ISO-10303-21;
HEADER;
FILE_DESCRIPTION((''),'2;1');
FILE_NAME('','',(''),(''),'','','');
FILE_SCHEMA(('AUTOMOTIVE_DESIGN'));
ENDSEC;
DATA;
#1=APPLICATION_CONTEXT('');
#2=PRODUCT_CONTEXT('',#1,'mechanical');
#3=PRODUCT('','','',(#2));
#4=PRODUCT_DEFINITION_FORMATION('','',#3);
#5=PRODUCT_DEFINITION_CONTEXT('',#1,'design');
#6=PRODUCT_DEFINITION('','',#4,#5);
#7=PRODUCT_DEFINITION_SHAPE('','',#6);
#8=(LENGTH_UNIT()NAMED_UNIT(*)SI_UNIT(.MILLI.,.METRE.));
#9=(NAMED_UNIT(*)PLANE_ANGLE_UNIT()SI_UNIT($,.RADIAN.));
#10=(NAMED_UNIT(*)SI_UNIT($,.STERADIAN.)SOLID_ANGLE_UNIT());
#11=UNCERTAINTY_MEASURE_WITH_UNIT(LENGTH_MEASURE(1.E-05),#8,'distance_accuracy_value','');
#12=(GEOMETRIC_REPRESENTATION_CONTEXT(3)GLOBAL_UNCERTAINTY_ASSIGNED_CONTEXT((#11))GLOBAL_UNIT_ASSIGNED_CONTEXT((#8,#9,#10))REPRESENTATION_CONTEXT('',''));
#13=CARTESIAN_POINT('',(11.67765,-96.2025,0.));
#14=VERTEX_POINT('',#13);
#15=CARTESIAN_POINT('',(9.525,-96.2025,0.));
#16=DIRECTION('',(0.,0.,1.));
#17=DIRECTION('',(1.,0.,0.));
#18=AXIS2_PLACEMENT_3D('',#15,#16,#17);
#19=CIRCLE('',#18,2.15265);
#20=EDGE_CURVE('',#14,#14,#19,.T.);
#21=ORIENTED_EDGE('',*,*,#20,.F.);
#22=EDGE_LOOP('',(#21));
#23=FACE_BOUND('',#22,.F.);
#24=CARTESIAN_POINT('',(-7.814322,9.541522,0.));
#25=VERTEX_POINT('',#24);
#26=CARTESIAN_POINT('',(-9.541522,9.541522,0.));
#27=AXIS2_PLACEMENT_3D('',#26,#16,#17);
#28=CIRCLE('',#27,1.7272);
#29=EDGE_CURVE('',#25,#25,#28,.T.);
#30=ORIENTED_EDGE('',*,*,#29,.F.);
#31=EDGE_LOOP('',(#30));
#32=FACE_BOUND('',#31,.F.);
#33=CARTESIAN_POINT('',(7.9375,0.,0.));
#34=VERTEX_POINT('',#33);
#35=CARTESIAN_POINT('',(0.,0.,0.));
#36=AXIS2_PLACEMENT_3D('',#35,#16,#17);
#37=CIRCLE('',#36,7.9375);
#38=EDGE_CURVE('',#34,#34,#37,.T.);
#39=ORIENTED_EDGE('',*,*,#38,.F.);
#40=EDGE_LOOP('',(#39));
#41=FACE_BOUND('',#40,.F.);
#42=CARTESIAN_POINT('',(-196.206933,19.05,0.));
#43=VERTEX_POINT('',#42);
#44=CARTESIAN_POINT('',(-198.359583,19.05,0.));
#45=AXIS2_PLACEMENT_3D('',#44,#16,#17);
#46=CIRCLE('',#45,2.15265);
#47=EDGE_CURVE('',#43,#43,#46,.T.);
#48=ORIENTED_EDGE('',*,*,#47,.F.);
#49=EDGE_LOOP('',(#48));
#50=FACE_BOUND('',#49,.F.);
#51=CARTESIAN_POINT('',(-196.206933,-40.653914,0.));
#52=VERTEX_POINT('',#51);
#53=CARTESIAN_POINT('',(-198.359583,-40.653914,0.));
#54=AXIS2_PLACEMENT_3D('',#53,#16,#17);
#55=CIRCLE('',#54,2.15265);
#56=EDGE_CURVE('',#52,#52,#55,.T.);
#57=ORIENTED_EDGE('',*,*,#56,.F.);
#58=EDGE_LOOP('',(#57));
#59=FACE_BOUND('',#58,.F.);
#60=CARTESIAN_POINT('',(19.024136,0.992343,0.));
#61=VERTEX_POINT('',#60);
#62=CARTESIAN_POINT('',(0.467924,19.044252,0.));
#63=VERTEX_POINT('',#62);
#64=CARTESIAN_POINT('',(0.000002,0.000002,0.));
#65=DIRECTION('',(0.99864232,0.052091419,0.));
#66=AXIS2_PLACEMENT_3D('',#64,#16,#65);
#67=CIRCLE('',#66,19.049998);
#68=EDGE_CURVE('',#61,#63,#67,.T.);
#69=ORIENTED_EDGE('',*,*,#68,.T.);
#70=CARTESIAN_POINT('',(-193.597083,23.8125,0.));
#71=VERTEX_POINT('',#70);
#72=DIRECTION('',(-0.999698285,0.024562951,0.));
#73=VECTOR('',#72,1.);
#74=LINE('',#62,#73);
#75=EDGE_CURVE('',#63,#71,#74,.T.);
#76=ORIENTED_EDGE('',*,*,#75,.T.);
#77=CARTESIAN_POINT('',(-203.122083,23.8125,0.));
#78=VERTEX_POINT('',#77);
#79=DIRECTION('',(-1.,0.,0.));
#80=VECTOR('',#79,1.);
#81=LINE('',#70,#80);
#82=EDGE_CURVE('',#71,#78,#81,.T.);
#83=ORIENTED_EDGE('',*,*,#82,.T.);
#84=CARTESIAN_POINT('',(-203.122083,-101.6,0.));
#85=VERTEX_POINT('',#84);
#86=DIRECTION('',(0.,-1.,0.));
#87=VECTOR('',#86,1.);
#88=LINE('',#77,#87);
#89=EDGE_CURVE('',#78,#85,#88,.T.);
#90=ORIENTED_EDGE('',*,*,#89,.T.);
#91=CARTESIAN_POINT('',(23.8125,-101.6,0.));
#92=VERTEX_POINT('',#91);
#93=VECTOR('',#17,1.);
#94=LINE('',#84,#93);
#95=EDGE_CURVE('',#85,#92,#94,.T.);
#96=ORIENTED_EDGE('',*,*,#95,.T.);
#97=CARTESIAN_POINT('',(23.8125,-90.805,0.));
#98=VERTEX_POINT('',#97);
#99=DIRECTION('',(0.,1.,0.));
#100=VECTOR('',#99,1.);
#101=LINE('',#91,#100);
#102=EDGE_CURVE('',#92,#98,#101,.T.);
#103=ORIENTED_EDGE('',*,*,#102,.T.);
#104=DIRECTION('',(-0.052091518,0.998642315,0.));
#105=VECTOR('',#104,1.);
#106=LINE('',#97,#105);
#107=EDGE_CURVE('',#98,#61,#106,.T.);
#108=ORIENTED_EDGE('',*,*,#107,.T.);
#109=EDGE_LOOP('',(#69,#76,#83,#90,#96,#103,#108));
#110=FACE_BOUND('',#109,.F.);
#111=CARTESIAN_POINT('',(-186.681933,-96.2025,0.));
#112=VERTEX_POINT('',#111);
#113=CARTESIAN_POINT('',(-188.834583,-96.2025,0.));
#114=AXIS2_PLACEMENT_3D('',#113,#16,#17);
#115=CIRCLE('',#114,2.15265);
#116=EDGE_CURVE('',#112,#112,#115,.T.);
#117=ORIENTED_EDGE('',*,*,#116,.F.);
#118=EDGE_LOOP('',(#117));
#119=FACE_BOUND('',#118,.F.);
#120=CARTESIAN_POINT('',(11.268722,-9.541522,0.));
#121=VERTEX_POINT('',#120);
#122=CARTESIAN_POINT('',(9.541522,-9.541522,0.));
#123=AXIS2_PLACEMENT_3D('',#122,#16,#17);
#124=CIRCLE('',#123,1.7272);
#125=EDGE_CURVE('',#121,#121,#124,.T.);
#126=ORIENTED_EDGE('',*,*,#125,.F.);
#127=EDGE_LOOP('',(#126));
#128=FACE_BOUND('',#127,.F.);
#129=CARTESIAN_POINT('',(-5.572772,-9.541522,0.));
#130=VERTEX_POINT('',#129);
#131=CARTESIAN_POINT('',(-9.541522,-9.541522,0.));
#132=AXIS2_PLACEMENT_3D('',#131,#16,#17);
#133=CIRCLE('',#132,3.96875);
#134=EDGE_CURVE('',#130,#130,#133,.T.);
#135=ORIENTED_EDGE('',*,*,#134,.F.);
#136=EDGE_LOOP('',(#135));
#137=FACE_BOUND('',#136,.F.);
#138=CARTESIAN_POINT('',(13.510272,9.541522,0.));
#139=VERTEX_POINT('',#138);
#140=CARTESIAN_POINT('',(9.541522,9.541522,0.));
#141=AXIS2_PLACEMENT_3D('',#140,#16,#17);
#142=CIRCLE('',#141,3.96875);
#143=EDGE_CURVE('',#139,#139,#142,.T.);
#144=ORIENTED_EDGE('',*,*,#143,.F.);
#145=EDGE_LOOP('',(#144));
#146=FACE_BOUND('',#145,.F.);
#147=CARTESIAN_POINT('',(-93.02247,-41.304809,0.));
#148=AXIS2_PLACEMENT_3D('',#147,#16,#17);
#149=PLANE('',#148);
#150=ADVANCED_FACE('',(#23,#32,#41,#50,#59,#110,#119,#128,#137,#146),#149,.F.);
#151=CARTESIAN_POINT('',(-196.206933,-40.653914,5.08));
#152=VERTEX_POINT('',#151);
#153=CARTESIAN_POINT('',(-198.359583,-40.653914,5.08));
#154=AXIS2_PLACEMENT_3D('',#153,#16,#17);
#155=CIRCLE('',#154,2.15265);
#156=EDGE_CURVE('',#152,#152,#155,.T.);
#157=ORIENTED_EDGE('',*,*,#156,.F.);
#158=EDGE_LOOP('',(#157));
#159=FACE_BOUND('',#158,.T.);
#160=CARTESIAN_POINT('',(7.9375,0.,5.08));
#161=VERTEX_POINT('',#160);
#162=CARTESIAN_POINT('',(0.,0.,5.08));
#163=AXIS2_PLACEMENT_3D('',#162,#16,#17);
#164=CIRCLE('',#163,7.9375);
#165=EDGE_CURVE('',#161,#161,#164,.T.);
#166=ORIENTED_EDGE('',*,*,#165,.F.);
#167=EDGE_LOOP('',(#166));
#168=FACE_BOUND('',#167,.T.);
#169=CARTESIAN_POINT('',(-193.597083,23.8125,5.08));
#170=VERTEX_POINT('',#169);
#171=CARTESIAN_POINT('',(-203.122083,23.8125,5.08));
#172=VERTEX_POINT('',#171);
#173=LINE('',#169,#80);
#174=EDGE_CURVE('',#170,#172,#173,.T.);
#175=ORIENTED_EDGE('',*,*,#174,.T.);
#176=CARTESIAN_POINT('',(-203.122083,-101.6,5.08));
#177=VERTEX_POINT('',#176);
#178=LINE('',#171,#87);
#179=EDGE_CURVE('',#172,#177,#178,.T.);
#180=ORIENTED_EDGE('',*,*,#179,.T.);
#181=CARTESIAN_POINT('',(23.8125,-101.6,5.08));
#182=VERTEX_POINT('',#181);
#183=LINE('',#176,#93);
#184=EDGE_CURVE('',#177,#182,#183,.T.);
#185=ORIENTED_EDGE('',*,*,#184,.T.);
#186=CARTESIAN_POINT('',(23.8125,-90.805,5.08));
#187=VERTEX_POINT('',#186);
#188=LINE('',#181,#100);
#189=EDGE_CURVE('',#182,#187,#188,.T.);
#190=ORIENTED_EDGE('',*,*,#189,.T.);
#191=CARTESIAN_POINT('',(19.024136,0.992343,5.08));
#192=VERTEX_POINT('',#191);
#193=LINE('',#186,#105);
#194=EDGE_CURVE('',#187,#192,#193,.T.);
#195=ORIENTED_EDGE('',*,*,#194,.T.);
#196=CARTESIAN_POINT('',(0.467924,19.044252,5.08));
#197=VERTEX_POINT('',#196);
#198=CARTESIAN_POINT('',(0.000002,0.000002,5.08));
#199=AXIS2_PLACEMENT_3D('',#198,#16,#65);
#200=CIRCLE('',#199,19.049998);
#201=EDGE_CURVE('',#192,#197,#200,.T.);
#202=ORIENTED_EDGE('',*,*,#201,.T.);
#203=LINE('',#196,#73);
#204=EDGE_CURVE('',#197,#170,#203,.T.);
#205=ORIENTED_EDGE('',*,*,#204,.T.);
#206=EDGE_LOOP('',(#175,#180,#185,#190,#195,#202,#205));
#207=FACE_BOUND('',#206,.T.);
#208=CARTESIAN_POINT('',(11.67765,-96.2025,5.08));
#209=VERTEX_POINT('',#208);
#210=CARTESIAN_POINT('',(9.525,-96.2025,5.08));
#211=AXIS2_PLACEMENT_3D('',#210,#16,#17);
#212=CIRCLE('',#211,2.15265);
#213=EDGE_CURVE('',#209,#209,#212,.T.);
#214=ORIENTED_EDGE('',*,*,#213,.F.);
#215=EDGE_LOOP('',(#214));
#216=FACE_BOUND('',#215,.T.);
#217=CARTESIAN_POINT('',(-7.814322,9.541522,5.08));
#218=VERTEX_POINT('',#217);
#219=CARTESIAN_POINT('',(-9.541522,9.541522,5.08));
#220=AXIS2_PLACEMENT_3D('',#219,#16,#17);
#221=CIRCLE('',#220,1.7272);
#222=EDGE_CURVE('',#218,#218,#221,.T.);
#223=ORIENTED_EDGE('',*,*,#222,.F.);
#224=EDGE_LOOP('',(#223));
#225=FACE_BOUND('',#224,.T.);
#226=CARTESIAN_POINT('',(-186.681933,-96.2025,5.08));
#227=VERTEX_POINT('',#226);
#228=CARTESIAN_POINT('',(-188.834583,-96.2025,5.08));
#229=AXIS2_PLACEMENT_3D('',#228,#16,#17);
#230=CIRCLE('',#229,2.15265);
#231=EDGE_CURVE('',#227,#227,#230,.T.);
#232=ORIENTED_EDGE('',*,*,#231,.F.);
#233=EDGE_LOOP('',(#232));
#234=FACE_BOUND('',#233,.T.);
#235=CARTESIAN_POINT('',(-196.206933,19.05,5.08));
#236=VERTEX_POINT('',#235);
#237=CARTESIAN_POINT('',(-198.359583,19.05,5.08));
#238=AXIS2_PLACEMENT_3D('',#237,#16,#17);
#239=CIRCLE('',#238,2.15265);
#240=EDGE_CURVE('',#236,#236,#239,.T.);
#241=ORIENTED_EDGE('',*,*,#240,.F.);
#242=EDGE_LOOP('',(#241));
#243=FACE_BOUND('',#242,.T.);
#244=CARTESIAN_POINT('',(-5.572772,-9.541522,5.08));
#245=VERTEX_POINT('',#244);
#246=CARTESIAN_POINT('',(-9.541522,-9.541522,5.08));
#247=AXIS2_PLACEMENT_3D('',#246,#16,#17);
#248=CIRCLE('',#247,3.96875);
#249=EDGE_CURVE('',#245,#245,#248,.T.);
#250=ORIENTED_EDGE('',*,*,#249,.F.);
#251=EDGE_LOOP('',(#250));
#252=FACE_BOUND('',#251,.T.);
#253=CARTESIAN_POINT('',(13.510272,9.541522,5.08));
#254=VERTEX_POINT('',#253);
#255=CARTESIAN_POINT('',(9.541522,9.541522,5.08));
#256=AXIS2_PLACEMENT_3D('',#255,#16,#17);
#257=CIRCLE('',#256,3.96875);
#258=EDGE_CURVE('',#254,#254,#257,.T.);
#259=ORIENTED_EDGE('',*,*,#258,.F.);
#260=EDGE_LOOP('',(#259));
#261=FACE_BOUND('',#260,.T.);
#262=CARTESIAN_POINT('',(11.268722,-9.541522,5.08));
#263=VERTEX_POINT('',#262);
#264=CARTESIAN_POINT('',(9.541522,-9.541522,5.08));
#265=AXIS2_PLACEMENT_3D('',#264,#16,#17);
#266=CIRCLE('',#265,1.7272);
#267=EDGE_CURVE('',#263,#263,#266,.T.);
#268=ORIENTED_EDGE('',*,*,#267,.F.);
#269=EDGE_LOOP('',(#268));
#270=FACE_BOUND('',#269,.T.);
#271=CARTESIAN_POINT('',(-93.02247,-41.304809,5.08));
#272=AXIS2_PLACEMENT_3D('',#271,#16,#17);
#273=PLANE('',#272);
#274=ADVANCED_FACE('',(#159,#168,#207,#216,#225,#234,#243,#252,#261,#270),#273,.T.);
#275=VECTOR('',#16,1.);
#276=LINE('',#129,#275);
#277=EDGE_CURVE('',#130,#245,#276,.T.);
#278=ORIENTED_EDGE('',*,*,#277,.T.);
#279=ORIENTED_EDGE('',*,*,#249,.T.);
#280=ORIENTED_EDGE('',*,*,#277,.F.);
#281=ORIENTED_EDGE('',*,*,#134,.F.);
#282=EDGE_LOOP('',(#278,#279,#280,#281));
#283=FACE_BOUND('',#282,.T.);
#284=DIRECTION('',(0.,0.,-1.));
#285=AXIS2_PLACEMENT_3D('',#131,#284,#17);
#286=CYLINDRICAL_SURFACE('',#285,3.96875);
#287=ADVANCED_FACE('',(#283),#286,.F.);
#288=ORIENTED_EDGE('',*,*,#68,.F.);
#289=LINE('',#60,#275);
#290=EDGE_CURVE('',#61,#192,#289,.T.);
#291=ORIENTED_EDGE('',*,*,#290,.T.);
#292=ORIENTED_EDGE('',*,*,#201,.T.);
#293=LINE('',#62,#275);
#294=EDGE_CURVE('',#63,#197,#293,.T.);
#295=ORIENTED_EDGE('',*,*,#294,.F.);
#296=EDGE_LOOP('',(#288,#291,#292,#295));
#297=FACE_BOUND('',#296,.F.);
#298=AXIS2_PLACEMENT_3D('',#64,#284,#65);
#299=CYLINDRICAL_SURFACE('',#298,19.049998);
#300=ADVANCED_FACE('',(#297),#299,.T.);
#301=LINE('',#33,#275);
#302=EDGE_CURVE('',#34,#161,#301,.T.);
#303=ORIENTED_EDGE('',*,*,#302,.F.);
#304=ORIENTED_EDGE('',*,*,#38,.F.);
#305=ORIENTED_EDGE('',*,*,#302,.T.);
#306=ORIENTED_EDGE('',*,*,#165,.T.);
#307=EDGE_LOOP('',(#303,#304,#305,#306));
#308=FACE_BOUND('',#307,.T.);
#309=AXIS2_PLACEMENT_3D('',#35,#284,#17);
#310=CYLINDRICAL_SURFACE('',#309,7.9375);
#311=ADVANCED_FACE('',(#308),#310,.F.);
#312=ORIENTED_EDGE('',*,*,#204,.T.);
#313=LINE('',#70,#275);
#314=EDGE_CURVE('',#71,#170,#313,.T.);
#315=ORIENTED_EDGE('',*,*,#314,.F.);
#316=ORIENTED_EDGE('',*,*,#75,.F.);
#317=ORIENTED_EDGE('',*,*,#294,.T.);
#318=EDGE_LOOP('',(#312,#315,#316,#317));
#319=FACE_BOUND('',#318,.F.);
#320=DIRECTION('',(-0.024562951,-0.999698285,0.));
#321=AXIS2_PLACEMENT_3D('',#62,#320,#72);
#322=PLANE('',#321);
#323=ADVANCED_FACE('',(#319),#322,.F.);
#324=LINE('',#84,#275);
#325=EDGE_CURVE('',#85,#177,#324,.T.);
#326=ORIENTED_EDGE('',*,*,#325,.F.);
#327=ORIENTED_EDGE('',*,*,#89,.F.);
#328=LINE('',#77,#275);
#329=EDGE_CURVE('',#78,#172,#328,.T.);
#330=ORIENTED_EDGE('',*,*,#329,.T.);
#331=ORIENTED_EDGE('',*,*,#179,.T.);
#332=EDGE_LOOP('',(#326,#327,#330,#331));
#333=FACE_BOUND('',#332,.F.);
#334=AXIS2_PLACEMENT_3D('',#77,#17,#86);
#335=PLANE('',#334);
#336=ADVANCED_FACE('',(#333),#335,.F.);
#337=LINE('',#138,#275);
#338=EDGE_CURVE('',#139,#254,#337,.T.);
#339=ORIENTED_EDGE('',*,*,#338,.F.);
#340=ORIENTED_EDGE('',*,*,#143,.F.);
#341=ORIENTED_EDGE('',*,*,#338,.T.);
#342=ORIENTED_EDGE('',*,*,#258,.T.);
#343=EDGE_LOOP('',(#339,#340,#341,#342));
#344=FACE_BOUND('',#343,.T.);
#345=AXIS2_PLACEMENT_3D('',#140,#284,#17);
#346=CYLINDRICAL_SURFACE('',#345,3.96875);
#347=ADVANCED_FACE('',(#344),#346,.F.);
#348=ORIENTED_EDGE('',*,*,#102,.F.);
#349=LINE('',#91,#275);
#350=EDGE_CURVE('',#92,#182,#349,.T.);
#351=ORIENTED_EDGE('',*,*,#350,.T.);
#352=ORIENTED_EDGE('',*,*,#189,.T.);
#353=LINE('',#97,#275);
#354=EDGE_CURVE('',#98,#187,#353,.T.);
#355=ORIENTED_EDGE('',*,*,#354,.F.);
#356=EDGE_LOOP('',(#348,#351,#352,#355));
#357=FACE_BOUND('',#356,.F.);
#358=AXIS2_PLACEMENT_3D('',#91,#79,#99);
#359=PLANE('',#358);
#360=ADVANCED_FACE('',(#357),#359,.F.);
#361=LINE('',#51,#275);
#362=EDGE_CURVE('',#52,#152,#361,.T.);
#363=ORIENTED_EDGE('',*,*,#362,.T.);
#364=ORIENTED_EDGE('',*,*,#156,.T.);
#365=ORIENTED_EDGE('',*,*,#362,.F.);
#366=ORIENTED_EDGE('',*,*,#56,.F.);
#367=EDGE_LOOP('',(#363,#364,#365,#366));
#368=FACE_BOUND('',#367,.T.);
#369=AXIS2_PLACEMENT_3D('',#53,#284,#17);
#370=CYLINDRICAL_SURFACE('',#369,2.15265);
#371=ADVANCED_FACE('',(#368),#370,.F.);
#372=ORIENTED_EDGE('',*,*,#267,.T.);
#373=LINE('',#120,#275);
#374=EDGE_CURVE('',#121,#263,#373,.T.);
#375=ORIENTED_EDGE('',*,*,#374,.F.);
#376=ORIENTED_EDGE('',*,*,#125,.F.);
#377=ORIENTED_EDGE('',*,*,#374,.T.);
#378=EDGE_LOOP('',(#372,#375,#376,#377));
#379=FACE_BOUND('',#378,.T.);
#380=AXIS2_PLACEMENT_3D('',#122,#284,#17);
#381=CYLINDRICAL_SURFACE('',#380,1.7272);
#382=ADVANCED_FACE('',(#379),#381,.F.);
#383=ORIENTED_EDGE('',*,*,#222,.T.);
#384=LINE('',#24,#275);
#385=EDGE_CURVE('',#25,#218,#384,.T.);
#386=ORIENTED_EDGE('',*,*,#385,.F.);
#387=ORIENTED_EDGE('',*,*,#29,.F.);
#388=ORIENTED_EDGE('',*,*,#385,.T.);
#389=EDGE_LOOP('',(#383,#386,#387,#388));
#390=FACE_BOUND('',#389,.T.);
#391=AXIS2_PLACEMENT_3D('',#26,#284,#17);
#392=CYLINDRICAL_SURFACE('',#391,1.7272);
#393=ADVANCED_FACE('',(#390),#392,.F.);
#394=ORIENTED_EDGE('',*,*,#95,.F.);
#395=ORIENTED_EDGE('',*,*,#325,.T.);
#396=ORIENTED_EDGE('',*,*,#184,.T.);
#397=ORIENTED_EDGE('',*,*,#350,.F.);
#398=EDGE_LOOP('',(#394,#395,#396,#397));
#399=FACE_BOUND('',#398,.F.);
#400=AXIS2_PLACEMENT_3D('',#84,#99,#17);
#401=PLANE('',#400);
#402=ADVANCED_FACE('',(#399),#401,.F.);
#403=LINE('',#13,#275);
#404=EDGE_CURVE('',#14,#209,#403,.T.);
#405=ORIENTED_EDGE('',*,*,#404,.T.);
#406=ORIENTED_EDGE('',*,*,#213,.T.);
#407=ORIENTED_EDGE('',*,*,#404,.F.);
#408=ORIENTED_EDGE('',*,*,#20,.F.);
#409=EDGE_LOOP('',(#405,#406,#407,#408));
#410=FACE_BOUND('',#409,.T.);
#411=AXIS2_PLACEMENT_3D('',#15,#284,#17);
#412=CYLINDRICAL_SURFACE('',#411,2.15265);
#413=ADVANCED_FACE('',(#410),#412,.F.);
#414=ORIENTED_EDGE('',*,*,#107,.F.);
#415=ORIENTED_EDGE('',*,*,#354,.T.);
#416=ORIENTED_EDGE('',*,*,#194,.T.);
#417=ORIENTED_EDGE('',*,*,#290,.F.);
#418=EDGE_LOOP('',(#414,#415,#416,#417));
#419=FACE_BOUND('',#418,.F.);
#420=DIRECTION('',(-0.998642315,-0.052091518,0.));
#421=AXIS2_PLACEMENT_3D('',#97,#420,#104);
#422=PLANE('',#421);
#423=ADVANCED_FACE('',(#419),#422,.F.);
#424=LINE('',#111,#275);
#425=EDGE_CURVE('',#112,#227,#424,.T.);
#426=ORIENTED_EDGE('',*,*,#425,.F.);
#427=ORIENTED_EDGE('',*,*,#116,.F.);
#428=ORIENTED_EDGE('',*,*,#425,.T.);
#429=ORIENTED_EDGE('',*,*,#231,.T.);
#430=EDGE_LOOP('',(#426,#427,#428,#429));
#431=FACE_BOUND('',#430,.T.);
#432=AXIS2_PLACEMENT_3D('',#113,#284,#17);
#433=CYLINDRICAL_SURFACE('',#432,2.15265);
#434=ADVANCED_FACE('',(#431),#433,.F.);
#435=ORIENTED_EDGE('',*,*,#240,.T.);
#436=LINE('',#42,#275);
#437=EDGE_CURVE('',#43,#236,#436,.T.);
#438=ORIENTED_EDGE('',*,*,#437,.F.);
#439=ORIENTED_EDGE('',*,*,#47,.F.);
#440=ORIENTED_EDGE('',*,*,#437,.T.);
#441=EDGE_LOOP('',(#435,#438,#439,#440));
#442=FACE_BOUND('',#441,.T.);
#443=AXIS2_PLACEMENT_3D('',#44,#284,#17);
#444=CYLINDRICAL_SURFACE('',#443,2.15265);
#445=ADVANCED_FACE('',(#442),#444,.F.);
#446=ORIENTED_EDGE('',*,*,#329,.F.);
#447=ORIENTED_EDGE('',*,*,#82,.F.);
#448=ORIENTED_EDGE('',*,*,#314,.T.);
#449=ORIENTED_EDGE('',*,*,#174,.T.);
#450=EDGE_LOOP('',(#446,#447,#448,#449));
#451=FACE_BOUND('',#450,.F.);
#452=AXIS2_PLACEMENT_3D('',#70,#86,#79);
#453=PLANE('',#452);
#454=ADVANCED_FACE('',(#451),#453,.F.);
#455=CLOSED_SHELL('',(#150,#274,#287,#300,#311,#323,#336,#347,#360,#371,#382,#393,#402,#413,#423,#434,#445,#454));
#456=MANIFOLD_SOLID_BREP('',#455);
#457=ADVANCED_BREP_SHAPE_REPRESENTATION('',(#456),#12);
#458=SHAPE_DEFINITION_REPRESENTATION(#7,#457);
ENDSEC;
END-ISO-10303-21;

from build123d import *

# Parameters (mm, degrees)
F0_R     = 2.15265
F0_R_2   = 3.96875
F0_R_3   = 1.7272
F0_R_4   = 7.9375
F1_DEPTH = 5.08


with BuildPart() as f1:
    # F0 (on Top) → F1 (new body)
    with BuildSketch(Plane.XY):
        with BuildLine():
            Line((0.467924, 19.044252), (-193.597083, 23.8125))
            Line((-193.597083, 23.8125), (-203.122083, 23.8125))
            Line((-203.122083, 23.8125), (-203.122083, -101.6))
            Line((-203.122083, -101.6), (23.8125, -101.6))
            Line((23.8125, -101.6), (23.8125, -90.805))
            Line((23.8125, -90.805), (19.024136, 0.992343))
            ThreePointArc((19.024136, 0.992343), (13.28356, 13.654653), (0.467924, 19.044252))
        make_face()
        with Locations((-188.834583, -96.2025)):
            Circle(F0_R, mode=Mode.SUBTRACT)
        with Locations((-198.359583, -40.653914)):
            Circle(F0_R, mode=Mode.SUBTRACT)
        with Locations((9.525, -96.2025)):
            Circle(F0_R, mode=Mode.SUBTRACT)
        with Locations((-198.359583, 19.05)):
            Circle(F0_R, mode=Mode.SUBTRACT)
        with Locations((-9.541522, -9.541522)):
            Circle(F0_R_2, mode=Mode.SUBTRACT)
        with Locations((9.541522, -9.541522)):
            Circle(F0_R_3, mode=Mode.SUBTRACT)
        Circle(F0_R_4, mode=Mode.SUBTRACT)
        with Locations((-9.541522, 9.541522)):
            Circle(F0_R_3, mode=Mode.SUBTRACT)
        with Locations((9.541522, 9.541522)):
            Circle(F0_R_2, mode=Mode.SUBTRACT)
    extrude(amount=F1_DEPTH)


solid = f1.part
